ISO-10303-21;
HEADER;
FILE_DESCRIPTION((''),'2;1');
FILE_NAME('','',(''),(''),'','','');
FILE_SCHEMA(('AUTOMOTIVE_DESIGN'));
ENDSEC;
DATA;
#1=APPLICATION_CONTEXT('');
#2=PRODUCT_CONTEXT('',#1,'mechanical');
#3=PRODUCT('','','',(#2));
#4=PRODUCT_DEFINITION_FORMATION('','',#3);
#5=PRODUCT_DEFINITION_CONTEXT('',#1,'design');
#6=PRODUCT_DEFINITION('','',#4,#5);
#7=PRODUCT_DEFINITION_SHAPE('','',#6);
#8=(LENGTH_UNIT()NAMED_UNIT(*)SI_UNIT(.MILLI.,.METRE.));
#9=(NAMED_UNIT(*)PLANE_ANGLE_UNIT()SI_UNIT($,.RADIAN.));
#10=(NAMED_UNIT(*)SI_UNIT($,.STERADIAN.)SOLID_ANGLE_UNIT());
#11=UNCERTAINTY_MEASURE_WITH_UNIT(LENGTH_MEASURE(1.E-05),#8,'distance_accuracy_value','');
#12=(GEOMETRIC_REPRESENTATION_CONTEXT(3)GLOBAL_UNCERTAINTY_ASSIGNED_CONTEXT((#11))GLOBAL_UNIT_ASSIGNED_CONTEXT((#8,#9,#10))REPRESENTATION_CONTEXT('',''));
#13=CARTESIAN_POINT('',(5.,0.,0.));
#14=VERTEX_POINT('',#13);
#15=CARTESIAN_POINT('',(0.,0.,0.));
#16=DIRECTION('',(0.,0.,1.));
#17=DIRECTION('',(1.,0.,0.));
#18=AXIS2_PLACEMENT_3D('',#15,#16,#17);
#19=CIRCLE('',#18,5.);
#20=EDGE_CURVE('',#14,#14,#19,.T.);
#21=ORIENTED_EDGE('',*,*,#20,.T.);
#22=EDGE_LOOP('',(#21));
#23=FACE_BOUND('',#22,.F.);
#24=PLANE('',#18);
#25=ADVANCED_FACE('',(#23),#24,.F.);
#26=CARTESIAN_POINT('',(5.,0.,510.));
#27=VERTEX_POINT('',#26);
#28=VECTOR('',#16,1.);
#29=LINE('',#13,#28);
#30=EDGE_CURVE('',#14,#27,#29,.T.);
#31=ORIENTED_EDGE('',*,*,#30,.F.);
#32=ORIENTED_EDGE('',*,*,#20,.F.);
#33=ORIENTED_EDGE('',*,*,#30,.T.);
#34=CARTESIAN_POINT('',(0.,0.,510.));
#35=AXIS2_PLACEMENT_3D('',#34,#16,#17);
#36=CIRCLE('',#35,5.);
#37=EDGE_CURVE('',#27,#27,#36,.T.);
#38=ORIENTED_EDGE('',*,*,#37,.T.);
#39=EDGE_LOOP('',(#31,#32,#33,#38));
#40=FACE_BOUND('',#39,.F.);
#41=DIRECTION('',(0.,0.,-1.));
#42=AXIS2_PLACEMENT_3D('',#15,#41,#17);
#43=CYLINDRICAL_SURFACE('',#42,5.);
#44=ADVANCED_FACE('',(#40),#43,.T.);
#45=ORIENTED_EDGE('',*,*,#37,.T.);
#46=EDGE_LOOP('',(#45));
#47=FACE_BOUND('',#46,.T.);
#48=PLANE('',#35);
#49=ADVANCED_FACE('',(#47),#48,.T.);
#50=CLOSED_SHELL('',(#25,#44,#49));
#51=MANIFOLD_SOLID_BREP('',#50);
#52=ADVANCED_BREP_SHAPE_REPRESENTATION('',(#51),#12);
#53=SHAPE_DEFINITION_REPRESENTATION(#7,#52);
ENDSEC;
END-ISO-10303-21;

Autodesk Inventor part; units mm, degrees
ref_plane "YZ Plane" through (0, 0, 0) normal (1, 0, 0) x (0, 1, 0)
ref_plane "XZ Plane" through (0, 0, 0) normal (0, 1, 0) x (-1, 0, 0)
ref_plane "XY Plane" through (0, 0, 0) normal (0, 0, 1) x (1, 0, 0)
sketch "草图1" plane through (0, 0, 0) normal (0, 0, 1) x (1, 0, 0)
  circle A0 centre (0, 0) radius 5
  dimension "d0" = 10
extrude "拉伸1" add sketch "草图1" along normal blind 510
properties part number "daogui"
